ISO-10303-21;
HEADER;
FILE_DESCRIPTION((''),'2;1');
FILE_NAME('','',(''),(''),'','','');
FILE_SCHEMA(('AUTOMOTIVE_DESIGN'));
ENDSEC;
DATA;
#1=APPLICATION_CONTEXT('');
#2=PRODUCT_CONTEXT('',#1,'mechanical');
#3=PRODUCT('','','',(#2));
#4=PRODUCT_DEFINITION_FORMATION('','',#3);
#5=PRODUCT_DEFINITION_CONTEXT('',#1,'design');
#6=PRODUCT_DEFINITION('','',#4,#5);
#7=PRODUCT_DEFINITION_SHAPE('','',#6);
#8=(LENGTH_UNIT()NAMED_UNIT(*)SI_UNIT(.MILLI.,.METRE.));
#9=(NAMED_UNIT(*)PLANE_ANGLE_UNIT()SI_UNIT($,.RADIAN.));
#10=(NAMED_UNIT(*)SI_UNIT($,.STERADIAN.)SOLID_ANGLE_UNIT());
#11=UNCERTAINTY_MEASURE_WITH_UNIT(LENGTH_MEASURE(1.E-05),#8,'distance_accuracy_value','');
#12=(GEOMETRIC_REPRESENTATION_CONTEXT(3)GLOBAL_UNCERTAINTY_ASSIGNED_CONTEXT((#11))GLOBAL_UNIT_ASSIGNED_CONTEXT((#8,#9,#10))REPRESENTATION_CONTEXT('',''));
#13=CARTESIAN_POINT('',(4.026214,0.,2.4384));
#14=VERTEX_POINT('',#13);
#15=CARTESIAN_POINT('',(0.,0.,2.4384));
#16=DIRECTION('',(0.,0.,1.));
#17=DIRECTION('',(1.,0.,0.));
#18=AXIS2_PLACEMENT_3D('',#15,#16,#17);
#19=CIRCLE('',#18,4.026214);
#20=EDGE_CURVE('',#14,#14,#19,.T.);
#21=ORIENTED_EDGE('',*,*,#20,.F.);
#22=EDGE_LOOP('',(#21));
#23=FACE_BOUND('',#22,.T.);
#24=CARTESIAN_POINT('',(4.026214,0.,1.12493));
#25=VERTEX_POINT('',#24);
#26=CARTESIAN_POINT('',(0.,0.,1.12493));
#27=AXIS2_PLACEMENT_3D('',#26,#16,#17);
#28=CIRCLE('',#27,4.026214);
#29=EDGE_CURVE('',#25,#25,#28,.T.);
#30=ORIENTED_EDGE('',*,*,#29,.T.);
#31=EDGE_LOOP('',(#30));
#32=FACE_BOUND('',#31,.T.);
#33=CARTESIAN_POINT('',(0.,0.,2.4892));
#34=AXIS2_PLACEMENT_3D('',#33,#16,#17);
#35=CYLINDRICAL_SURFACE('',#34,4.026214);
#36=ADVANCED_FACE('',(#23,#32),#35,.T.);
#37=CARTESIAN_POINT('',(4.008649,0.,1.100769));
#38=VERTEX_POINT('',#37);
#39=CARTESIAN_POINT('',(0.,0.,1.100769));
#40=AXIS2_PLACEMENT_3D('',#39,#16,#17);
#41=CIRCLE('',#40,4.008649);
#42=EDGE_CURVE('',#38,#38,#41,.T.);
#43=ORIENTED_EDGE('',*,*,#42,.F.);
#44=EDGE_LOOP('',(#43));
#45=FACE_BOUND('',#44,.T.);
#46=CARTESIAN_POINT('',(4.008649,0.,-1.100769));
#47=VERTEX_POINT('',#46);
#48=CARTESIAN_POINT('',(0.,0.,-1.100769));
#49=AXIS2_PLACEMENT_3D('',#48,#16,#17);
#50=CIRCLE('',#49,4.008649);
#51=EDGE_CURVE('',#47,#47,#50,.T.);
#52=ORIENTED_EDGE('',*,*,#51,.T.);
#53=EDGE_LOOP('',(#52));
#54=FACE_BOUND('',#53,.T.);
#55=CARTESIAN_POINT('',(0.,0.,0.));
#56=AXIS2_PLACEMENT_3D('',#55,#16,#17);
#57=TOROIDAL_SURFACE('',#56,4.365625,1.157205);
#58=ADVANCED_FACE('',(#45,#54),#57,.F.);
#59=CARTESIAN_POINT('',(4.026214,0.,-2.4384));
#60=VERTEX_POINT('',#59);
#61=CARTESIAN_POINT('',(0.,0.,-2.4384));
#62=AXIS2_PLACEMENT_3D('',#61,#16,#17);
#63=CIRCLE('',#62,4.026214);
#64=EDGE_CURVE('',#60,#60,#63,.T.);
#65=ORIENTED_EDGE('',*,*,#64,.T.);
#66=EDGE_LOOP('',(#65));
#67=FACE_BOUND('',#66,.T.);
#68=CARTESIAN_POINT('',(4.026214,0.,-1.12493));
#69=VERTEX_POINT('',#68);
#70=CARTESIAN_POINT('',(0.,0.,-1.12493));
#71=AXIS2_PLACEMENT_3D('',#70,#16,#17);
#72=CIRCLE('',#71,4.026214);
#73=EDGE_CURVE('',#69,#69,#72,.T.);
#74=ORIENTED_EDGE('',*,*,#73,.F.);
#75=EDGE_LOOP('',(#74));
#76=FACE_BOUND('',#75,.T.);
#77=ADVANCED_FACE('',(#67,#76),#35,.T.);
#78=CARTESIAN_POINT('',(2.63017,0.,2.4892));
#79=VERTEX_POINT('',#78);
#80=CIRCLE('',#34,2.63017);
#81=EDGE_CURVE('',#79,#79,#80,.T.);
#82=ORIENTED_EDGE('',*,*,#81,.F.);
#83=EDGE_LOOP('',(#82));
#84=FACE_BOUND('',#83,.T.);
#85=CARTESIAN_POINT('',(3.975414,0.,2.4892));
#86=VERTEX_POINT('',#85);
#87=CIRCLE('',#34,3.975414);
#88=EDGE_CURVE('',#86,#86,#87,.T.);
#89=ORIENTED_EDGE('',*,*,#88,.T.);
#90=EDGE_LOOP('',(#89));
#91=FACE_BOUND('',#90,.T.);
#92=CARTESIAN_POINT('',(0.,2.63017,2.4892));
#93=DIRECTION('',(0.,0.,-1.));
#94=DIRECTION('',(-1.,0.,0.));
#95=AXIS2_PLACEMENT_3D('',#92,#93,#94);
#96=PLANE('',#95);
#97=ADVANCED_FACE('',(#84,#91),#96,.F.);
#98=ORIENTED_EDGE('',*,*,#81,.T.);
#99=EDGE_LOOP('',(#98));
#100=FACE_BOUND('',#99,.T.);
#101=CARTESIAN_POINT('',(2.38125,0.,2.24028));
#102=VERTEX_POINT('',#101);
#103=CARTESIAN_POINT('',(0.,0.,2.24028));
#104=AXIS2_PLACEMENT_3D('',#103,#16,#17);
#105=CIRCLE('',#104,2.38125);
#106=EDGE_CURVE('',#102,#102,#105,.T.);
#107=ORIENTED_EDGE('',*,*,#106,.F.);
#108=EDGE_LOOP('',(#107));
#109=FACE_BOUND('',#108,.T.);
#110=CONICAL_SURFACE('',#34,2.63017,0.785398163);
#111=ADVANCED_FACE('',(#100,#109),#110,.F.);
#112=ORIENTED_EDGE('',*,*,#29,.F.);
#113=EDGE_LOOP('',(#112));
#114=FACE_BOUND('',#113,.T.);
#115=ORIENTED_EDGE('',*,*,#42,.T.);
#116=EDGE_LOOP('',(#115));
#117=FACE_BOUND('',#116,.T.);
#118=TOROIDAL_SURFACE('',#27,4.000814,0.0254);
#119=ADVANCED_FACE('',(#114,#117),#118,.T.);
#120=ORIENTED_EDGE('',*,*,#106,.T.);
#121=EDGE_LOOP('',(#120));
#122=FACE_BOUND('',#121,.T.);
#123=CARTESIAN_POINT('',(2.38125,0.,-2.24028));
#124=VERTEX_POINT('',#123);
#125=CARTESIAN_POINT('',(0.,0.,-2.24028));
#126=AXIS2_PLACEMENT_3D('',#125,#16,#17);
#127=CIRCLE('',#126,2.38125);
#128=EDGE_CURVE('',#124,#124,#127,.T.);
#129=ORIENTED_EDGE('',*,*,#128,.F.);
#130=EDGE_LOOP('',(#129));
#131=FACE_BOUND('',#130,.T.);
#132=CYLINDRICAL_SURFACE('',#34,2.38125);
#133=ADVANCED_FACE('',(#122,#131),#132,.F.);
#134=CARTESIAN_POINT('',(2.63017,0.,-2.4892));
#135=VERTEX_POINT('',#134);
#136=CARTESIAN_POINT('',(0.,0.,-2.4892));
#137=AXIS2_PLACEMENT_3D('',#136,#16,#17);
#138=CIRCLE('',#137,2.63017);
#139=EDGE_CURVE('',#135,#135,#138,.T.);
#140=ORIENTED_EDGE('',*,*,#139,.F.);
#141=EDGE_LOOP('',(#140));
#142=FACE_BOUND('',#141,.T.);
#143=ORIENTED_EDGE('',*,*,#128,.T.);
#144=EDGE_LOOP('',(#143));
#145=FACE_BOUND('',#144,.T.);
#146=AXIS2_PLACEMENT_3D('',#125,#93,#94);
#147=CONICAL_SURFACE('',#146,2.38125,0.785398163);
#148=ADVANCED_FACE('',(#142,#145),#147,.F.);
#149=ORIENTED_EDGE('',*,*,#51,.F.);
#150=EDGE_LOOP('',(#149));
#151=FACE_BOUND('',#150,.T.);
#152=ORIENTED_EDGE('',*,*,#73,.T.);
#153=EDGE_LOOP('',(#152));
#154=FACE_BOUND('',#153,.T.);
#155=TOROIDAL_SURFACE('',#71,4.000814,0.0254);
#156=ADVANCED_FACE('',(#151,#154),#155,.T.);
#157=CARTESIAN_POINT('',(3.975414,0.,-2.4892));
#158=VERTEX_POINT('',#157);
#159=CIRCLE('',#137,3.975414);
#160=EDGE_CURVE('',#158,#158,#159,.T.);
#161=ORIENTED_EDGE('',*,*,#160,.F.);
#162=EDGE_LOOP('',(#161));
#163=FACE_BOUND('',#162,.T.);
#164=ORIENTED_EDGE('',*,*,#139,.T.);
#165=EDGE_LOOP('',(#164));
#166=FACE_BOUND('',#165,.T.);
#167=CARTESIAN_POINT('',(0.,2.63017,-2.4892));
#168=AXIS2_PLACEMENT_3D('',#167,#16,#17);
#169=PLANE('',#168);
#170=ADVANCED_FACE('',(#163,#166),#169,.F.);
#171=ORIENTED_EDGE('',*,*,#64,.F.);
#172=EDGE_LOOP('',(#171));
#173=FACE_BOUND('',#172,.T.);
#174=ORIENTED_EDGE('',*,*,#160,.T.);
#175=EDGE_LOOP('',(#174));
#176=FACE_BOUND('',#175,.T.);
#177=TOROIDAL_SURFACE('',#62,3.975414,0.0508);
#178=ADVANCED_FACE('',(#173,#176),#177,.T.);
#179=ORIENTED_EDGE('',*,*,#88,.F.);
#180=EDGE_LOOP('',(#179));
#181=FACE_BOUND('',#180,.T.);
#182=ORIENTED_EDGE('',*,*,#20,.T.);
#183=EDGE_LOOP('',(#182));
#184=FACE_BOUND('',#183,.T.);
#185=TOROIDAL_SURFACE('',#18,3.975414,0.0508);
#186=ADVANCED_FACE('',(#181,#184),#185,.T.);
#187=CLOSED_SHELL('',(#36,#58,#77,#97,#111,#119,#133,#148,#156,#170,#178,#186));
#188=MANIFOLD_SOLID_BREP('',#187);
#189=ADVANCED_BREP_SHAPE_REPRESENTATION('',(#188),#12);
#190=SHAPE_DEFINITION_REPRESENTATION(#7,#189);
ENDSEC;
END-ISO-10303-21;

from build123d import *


with BuildPart() as part:
    # Inner Bearing Race Profile → Inner Bearing Race (revolve)
    with BuildSketch(Plane(origin=(0, 0, 0), x_dir=(0, 0, -1), z_dir=(1, 0, 0))):
        with BuildLine():
            Line((2.24028, 2.38125), (2.4892, 2.63017))
            Line((2.4892, 2.63017), (2.4892, 3.975414011))
            ThreePointArc((2.4892, 3.975414011), (2.474321024, 4.011335035), (2.4384, 4.026214011))
            Line((2.4384, 4.026214011), (1.12493032, 4.026214011))
            ThreePointArc((1.12493032, 4.026214011), (1.109994783, 4.021358833), (1.100769063, 4.008649422))
            ThreePointArc((1.100769063, 4.008649422), (0, 3.208419705), (-1.100769063, 4.008649422))
            ThreePointArc((-1.100769063, 4.008649422), (-1.109994783, 4.021358833), (-1.12493032, 4.026214011))
            Line((-1.12493032, 4.026214011), (-2.4384, 4.026214011))
            ThreePointArc((-2.4384, 4.026214011), (-2.474321024, 4.011335035), (-2.4892, 3.975414011))
            Line((-2.4892, 3.975414011), (-2.4892, 2.63017))
            Line((-2.4892, 2.63017), (-2.24028, 2.38125))
            Line((-2.24028, 2.38125), (2.24028, 2.38125))
        make_face()
    revolve(axis=Axis((0, 0, 2.4892), (0, 0, -1)))


solid = part.part
